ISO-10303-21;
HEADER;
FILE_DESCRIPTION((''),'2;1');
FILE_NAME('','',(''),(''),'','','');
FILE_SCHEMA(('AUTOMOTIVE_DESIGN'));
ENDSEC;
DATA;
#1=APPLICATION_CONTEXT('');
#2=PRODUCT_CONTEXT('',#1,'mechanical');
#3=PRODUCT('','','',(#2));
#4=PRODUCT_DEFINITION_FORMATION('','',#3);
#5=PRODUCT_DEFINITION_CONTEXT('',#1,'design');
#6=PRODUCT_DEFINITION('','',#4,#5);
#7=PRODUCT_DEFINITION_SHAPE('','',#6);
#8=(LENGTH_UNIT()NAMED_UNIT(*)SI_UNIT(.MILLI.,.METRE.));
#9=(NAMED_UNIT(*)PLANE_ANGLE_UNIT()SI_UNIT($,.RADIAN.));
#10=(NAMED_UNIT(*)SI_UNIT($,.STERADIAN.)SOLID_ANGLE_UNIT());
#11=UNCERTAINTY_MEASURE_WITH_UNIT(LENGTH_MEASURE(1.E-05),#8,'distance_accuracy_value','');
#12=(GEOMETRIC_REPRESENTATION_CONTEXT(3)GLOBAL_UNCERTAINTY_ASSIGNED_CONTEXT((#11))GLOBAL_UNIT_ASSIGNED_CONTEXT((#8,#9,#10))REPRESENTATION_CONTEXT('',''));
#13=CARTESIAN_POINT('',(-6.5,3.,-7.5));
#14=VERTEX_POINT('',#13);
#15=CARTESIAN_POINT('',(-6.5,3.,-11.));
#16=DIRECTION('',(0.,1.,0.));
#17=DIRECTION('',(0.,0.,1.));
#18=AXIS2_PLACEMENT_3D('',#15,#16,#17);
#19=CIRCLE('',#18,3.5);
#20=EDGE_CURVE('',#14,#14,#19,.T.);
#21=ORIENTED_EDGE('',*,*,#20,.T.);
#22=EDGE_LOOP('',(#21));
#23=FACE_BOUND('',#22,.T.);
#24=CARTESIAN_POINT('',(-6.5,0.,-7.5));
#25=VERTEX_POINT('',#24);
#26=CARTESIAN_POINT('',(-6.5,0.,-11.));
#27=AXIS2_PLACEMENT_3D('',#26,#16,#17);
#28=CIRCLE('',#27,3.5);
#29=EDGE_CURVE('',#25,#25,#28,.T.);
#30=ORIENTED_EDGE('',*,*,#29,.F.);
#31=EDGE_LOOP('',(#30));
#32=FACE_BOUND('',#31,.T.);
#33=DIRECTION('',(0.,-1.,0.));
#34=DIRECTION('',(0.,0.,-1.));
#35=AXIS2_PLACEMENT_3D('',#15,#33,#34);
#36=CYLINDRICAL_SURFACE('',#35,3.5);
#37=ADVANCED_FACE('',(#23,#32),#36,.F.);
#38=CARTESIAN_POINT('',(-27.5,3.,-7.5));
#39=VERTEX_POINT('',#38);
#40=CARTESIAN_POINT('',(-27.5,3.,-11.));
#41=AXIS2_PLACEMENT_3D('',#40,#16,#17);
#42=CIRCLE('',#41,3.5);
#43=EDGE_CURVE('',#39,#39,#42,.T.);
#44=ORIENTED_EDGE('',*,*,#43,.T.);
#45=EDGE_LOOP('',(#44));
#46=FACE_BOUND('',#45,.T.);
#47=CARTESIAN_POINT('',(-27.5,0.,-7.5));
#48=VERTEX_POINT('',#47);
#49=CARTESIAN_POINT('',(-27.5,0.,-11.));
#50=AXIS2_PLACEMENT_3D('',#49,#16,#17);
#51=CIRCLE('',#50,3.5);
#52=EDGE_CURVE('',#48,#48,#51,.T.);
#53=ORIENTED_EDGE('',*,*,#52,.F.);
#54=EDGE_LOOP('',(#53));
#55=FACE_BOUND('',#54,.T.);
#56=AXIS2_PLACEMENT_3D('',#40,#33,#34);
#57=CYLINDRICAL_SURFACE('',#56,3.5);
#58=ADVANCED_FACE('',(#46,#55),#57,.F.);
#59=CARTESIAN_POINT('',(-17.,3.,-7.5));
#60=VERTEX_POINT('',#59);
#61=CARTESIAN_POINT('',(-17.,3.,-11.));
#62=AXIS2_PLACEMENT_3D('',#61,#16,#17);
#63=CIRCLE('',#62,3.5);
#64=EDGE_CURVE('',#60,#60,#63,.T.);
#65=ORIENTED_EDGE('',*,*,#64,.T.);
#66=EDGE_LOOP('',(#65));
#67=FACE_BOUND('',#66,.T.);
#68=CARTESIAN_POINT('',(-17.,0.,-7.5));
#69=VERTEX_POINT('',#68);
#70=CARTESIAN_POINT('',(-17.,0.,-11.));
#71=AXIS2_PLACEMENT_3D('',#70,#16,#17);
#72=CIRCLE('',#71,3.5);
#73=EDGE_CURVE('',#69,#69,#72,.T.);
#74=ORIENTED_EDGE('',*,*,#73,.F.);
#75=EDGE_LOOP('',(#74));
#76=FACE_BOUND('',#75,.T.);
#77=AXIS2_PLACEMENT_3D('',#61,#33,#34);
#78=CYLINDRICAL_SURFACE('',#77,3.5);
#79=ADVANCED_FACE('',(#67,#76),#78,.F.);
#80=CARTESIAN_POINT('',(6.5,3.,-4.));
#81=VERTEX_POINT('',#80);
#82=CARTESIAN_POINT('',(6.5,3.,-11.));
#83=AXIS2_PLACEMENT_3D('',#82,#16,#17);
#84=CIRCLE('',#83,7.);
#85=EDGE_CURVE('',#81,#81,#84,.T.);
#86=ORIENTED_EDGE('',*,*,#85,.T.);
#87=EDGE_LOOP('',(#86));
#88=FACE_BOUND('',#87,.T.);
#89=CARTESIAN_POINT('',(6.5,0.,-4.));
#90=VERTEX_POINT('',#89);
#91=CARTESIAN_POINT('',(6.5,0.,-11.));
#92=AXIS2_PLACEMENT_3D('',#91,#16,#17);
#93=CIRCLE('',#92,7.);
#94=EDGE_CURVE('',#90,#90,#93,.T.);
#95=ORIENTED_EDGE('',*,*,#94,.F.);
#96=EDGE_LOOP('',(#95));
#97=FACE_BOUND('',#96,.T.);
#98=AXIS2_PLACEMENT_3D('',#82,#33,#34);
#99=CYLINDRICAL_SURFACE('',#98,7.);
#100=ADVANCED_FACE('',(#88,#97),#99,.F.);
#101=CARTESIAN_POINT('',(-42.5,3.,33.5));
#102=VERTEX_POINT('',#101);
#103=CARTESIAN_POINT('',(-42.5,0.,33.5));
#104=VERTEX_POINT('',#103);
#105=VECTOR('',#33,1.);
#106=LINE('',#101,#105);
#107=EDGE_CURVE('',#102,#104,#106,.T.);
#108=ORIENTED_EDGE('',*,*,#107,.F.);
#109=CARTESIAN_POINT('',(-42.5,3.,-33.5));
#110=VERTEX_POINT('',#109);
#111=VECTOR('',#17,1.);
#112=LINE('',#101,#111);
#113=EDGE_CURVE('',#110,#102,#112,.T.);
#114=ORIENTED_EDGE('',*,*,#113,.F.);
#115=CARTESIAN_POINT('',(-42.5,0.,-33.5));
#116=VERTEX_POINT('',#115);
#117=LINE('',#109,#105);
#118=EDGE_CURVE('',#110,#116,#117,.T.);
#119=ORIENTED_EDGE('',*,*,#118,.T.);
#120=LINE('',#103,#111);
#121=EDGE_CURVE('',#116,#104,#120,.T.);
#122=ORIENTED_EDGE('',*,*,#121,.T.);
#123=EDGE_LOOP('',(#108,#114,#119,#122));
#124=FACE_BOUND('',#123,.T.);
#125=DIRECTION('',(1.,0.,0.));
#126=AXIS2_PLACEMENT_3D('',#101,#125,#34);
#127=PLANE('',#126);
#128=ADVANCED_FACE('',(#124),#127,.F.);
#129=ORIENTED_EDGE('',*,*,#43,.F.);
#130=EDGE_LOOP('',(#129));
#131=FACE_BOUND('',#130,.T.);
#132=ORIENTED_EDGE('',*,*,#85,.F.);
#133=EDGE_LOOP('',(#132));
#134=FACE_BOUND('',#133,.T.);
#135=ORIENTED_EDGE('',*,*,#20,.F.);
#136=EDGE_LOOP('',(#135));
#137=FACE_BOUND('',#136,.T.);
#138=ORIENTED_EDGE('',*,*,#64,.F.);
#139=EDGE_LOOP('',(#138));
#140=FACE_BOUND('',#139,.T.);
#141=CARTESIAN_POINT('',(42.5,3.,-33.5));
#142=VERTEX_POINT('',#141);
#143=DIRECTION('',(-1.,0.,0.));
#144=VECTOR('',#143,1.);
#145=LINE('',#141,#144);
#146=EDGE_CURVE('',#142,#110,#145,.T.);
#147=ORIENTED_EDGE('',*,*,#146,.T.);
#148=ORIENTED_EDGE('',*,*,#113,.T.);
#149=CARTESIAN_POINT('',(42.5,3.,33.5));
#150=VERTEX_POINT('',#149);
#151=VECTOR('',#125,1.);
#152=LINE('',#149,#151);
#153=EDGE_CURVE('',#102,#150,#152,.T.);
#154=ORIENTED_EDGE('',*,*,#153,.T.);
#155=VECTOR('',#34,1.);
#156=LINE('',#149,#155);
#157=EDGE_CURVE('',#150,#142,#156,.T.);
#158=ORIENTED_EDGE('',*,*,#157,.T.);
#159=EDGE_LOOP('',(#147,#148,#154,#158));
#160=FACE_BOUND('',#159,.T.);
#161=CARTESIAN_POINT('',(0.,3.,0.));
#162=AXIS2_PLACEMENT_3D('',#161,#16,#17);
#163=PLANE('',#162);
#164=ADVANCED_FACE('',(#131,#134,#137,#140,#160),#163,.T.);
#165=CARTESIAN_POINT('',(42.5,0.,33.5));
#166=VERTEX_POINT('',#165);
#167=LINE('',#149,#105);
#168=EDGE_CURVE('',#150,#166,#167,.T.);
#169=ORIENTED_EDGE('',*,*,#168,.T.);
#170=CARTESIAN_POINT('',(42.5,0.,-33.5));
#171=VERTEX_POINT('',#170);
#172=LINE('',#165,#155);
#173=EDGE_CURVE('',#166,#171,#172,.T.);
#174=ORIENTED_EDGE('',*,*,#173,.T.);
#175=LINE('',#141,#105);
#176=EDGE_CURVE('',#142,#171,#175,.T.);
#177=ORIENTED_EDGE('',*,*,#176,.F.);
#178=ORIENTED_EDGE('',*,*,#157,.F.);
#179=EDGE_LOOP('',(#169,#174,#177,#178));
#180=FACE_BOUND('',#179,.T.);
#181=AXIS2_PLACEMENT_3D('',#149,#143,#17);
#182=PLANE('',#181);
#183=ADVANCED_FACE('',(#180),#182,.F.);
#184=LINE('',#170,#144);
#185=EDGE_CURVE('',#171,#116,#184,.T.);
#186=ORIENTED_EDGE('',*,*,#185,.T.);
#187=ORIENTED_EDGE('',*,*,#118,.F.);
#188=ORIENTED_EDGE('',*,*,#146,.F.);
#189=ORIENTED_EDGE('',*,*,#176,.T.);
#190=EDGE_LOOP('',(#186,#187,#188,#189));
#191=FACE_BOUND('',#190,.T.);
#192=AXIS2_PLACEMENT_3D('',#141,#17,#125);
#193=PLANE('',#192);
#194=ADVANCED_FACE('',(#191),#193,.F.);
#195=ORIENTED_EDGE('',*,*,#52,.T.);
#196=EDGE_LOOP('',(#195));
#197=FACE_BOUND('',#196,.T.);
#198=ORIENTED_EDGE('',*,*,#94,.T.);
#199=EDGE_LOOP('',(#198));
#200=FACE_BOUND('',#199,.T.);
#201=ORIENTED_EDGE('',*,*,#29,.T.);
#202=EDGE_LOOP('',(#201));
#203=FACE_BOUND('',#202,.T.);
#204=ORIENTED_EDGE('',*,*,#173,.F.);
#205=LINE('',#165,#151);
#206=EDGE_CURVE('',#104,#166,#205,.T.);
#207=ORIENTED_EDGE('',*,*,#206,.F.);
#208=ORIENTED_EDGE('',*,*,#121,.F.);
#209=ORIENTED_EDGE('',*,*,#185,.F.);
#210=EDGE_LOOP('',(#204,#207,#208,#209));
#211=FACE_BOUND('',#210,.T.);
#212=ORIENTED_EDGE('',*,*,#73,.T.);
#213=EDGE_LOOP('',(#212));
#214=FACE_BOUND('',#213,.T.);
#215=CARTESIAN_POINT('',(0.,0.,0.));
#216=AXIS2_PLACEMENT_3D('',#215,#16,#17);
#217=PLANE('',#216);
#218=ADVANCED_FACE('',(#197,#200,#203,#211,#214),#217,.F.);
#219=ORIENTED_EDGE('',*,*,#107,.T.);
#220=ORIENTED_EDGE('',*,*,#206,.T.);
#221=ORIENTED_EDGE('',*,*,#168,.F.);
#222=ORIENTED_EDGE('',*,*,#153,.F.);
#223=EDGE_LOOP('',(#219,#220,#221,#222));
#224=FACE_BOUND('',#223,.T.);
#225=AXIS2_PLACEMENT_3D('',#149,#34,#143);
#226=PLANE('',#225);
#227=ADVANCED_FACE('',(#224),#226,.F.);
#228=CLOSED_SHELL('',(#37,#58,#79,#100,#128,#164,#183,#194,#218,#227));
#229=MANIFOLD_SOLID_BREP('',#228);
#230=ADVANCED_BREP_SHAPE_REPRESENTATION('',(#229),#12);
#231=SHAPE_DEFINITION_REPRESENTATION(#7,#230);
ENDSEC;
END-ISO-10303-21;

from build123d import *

# Parameters (mm, degrees)
SKETCH1_W           = 85
SKETCH1_H           = 67
SKETCH1_R           = 3.5
SKETCH1_R_2         = 7
BOSS_EXTRUDE1_DEPTH = 3


with BuildPart() as part:
    # Sketch1 → Boss-Extrude1 (new body)
    with BuildSketch(Plane(origin=(0, 0, 0), x_dir=(1, 0, 0), z_dir=(0, 1, 0))):
        Rectangle(SKETCH1_W, SKETCH1_H)
        with Locations(Location((-27.5, 11, 0), (0, 0, 270))):
            Circle(SKETCH1_R, mode=Mode.SUBTRACT)
        with Locations(Location((-17, 11, 0), (0, 0, 270))):
            Circle(SKETCH1_R, mode=Mode.SUBTRACT)
        with Locations(Location((-6.5, 11, 0), (0, 0, 270))):
            Circle(SKETCH1_R, mode=Mode.SUBTRACT)
        with Locations(Location((6.5, 11, 0), (0, 0, 270))):
            Circle(SKETCH1_R_2, mode=Mode.SUBTRACT)
    extrude(amount=BOSS_EXTRUDE1_DEPTH)


solid = part.part
